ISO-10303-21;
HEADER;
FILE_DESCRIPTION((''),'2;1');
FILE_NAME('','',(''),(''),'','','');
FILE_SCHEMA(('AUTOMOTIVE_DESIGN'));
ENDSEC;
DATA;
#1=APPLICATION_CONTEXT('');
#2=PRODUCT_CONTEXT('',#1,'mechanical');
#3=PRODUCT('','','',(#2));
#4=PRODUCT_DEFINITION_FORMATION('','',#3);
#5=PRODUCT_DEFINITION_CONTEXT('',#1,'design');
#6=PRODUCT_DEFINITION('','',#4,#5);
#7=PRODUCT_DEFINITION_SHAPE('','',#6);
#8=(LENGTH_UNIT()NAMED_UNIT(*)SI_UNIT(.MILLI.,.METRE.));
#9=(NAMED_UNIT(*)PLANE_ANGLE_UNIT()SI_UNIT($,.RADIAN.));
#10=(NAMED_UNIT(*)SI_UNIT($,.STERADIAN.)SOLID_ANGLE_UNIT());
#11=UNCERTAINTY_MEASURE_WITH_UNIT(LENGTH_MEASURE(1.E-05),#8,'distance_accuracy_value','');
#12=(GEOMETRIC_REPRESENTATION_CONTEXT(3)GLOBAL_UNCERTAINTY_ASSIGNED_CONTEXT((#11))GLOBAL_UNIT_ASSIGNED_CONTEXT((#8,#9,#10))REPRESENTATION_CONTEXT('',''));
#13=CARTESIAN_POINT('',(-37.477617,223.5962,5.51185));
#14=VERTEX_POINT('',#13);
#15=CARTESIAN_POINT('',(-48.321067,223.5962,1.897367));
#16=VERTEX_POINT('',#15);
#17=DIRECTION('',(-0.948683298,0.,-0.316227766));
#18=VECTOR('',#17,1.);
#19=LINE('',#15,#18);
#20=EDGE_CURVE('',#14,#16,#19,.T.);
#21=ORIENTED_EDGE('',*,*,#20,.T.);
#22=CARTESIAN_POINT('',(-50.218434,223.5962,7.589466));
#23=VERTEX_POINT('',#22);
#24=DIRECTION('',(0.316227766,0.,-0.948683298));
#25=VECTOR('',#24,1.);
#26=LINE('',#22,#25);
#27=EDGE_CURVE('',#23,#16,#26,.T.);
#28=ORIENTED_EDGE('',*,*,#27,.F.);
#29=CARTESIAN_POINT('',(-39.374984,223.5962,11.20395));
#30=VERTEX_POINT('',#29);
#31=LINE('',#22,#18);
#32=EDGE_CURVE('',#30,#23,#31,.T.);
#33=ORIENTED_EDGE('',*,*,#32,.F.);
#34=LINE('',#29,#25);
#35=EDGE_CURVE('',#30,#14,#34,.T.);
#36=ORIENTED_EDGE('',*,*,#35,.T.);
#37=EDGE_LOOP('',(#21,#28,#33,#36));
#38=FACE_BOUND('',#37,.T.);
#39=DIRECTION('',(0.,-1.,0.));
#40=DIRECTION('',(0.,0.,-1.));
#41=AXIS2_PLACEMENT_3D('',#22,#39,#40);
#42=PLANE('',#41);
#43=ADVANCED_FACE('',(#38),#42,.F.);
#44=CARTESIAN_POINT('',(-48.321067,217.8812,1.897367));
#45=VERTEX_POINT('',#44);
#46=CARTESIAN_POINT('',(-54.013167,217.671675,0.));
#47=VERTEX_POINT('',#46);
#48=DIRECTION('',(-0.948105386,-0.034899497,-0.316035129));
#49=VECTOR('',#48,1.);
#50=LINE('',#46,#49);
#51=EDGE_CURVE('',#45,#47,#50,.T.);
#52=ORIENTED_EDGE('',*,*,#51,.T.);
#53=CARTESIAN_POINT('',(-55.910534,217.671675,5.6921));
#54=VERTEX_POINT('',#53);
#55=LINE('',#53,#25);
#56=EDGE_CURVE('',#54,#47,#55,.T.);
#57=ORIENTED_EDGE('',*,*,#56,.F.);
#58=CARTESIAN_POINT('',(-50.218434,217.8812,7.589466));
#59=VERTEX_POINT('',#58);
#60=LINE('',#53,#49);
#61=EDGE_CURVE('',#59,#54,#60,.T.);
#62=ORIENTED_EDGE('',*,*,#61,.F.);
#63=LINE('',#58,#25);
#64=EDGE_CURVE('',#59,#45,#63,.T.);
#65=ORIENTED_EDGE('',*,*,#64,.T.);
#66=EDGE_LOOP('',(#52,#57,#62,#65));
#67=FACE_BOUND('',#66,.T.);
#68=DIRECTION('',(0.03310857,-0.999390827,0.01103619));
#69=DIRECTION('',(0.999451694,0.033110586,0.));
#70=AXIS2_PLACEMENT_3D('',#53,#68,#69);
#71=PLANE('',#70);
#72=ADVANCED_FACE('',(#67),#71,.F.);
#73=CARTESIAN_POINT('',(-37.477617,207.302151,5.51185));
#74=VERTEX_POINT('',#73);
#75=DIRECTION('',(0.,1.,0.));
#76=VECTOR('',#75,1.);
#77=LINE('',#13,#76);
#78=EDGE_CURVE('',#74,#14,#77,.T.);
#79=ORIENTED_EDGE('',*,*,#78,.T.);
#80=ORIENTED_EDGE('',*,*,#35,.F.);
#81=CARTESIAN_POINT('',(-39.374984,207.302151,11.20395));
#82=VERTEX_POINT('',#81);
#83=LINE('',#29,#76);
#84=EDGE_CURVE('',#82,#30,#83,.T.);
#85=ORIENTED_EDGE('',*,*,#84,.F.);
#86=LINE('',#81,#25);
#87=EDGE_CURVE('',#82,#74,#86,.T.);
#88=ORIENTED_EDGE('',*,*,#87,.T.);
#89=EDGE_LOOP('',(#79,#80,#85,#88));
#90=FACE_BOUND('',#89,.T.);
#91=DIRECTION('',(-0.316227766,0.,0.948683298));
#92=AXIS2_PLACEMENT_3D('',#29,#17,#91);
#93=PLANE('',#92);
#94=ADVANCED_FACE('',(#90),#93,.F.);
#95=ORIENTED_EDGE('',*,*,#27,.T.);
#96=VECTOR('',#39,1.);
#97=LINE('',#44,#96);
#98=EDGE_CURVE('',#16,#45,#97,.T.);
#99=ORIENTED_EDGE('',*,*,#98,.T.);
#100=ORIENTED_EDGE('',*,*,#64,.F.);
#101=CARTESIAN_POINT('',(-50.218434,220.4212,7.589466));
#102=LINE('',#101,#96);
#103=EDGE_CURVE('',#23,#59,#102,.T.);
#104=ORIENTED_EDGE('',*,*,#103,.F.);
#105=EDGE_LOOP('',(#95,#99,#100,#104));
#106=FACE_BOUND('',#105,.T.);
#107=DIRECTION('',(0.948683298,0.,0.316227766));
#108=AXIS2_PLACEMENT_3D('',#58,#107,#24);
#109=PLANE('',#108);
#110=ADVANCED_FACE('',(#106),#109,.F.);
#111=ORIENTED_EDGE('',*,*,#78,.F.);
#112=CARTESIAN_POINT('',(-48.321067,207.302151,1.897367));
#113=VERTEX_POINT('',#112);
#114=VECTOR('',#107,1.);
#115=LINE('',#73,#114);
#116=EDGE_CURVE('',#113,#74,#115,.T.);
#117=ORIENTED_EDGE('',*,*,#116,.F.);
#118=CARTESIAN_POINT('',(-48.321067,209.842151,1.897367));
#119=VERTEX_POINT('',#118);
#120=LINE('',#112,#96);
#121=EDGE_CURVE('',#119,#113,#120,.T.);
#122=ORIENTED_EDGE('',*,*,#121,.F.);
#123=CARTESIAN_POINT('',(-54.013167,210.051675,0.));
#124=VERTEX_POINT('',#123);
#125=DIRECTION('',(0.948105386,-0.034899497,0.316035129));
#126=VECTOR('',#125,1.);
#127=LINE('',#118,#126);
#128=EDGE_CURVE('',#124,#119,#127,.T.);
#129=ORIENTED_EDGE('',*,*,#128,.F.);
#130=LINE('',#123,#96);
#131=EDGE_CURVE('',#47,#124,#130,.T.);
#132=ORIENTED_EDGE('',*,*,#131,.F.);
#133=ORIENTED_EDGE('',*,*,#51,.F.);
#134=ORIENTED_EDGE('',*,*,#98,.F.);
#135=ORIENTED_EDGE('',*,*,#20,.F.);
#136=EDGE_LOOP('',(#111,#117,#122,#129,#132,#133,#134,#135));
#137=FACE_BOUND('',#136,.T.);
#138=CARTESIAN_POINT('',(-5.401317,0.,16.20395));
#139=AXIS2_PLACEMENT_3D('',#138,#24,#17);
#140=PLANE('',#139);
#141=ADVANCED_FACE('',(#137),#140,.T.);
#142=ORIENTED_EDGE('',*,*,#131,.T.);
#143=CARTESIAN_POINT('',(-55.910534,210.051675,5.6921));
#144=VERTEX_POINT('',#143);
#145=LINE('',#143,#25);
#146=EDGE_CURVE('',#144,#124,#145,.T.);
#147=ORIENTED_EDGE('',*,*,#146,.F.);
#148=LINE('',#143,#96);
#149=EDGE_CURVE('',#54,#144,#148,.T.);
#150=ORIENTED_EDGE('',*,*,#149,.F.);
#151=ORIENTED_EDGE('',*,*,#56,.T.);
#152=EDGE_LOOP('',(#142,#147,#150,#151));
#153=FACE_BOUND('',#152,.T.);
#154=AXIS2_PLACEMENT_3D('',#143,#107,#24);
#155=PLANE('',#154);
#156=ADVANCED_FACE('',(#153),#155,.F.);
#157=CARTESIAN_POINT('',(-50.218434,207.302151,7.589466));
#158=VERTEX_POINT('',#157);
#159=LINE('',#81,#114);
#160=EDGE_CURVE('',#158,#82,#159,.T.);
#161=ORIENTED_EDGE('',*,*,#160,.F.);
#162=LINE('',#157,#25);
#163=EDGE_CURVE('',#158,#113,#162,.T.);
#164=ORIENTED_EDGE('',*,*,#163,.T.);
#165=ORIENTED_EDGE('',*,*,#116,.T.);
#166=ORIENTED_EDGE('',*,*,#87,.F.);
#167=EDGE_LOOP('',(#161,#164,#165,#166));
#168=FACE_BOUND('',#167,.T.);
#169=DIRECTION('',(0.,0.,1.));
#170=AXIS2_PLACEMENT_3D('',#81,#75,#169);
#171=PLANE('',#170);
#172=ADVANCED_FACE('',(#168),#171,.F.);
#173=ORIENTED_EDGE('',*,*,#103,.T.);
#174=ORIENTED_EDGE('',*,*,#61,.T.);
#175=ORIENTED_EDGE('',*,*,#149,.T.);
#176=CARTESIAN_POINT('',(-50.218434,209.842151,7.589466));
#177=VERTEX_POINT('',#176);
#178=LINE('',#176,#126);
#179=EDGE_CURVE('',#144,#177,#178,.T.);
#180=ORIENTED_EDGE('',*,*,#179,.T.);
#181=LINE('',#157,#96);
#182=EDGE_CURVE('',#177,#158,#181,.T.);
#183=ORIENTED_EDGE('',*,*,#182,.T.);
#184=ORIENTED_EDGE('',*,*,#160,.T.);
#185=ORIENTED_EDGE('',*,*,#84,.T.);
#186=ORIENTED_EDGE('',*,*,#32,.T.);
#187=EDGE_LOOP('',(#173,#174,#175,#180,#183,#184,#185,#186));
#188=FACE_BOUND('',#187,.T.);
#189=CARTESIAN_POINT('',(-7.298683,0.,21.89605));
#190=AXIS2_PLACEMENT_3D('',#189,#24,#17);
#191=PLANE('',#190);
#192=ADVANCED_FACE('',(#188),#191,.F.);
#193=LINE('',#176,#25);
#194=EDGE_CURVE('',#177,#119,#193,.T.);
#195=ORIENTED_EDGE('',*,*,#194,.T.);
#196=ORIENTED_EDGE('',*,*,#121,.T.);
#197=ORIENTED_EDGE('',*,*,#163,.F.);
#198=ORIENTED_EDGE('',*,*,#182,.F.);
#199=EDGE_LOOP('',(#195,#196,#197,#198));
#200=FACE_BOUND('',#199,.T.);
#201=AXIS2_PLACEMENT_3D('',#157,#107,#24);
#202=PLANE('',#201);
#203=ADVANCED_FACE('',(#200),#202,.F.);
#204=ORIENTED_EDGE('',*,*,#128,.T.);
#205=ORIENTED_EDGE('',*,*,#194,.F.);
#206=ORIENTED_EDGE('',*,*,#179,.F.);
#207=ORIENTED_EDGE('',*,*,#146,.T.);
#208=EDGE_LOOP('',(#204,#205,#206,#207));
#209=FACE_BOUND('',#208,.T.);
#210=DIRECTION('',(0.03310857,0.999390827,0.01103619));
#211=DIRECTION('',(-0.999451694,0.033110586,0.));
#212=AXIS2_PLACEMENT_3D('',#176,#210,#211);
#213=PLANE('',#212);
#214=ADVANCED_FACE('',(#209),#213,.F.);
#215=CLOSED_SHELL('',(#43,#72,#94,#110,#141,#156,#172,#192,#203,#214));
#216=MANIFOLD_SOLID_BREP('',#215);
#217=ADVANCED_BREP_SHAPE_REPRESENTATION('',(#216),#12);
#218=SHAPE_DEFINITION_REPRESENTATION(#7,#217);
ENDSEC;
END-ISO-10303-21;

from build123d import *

# Parameters (mm, degrees)
BOSS_EXTRUDE1_DEPTH = 3


with BuildPart() as part:
    # Sketch1 → Boss-Extrude1 (new, symmetric)
    with BuildSketch(Plane(origin=(-6.35, 0, 19.05), x_dir=(0.9486832980505138, 0, 0.31622776601683805), z_dir=(-0.31622776601683805, 0, 0.9486832980505138))):
        Polygon((-45.241389426, 223.5962), (-33.811389426, 223.5962), (-33.811389426, 207.302150766), (-45.241389426, 207.302150766), (-45.241389426, 209.842150766), (-51.241389426, 210.051675383), (-51.241389426, 217.671675383), (-45.241389426, 217.8812), (-45.241389426, 220.4212), align=None)
    extrude(amount=BOSS_EXTRUDE1_DEPTH, both=True)


solid = part.part
